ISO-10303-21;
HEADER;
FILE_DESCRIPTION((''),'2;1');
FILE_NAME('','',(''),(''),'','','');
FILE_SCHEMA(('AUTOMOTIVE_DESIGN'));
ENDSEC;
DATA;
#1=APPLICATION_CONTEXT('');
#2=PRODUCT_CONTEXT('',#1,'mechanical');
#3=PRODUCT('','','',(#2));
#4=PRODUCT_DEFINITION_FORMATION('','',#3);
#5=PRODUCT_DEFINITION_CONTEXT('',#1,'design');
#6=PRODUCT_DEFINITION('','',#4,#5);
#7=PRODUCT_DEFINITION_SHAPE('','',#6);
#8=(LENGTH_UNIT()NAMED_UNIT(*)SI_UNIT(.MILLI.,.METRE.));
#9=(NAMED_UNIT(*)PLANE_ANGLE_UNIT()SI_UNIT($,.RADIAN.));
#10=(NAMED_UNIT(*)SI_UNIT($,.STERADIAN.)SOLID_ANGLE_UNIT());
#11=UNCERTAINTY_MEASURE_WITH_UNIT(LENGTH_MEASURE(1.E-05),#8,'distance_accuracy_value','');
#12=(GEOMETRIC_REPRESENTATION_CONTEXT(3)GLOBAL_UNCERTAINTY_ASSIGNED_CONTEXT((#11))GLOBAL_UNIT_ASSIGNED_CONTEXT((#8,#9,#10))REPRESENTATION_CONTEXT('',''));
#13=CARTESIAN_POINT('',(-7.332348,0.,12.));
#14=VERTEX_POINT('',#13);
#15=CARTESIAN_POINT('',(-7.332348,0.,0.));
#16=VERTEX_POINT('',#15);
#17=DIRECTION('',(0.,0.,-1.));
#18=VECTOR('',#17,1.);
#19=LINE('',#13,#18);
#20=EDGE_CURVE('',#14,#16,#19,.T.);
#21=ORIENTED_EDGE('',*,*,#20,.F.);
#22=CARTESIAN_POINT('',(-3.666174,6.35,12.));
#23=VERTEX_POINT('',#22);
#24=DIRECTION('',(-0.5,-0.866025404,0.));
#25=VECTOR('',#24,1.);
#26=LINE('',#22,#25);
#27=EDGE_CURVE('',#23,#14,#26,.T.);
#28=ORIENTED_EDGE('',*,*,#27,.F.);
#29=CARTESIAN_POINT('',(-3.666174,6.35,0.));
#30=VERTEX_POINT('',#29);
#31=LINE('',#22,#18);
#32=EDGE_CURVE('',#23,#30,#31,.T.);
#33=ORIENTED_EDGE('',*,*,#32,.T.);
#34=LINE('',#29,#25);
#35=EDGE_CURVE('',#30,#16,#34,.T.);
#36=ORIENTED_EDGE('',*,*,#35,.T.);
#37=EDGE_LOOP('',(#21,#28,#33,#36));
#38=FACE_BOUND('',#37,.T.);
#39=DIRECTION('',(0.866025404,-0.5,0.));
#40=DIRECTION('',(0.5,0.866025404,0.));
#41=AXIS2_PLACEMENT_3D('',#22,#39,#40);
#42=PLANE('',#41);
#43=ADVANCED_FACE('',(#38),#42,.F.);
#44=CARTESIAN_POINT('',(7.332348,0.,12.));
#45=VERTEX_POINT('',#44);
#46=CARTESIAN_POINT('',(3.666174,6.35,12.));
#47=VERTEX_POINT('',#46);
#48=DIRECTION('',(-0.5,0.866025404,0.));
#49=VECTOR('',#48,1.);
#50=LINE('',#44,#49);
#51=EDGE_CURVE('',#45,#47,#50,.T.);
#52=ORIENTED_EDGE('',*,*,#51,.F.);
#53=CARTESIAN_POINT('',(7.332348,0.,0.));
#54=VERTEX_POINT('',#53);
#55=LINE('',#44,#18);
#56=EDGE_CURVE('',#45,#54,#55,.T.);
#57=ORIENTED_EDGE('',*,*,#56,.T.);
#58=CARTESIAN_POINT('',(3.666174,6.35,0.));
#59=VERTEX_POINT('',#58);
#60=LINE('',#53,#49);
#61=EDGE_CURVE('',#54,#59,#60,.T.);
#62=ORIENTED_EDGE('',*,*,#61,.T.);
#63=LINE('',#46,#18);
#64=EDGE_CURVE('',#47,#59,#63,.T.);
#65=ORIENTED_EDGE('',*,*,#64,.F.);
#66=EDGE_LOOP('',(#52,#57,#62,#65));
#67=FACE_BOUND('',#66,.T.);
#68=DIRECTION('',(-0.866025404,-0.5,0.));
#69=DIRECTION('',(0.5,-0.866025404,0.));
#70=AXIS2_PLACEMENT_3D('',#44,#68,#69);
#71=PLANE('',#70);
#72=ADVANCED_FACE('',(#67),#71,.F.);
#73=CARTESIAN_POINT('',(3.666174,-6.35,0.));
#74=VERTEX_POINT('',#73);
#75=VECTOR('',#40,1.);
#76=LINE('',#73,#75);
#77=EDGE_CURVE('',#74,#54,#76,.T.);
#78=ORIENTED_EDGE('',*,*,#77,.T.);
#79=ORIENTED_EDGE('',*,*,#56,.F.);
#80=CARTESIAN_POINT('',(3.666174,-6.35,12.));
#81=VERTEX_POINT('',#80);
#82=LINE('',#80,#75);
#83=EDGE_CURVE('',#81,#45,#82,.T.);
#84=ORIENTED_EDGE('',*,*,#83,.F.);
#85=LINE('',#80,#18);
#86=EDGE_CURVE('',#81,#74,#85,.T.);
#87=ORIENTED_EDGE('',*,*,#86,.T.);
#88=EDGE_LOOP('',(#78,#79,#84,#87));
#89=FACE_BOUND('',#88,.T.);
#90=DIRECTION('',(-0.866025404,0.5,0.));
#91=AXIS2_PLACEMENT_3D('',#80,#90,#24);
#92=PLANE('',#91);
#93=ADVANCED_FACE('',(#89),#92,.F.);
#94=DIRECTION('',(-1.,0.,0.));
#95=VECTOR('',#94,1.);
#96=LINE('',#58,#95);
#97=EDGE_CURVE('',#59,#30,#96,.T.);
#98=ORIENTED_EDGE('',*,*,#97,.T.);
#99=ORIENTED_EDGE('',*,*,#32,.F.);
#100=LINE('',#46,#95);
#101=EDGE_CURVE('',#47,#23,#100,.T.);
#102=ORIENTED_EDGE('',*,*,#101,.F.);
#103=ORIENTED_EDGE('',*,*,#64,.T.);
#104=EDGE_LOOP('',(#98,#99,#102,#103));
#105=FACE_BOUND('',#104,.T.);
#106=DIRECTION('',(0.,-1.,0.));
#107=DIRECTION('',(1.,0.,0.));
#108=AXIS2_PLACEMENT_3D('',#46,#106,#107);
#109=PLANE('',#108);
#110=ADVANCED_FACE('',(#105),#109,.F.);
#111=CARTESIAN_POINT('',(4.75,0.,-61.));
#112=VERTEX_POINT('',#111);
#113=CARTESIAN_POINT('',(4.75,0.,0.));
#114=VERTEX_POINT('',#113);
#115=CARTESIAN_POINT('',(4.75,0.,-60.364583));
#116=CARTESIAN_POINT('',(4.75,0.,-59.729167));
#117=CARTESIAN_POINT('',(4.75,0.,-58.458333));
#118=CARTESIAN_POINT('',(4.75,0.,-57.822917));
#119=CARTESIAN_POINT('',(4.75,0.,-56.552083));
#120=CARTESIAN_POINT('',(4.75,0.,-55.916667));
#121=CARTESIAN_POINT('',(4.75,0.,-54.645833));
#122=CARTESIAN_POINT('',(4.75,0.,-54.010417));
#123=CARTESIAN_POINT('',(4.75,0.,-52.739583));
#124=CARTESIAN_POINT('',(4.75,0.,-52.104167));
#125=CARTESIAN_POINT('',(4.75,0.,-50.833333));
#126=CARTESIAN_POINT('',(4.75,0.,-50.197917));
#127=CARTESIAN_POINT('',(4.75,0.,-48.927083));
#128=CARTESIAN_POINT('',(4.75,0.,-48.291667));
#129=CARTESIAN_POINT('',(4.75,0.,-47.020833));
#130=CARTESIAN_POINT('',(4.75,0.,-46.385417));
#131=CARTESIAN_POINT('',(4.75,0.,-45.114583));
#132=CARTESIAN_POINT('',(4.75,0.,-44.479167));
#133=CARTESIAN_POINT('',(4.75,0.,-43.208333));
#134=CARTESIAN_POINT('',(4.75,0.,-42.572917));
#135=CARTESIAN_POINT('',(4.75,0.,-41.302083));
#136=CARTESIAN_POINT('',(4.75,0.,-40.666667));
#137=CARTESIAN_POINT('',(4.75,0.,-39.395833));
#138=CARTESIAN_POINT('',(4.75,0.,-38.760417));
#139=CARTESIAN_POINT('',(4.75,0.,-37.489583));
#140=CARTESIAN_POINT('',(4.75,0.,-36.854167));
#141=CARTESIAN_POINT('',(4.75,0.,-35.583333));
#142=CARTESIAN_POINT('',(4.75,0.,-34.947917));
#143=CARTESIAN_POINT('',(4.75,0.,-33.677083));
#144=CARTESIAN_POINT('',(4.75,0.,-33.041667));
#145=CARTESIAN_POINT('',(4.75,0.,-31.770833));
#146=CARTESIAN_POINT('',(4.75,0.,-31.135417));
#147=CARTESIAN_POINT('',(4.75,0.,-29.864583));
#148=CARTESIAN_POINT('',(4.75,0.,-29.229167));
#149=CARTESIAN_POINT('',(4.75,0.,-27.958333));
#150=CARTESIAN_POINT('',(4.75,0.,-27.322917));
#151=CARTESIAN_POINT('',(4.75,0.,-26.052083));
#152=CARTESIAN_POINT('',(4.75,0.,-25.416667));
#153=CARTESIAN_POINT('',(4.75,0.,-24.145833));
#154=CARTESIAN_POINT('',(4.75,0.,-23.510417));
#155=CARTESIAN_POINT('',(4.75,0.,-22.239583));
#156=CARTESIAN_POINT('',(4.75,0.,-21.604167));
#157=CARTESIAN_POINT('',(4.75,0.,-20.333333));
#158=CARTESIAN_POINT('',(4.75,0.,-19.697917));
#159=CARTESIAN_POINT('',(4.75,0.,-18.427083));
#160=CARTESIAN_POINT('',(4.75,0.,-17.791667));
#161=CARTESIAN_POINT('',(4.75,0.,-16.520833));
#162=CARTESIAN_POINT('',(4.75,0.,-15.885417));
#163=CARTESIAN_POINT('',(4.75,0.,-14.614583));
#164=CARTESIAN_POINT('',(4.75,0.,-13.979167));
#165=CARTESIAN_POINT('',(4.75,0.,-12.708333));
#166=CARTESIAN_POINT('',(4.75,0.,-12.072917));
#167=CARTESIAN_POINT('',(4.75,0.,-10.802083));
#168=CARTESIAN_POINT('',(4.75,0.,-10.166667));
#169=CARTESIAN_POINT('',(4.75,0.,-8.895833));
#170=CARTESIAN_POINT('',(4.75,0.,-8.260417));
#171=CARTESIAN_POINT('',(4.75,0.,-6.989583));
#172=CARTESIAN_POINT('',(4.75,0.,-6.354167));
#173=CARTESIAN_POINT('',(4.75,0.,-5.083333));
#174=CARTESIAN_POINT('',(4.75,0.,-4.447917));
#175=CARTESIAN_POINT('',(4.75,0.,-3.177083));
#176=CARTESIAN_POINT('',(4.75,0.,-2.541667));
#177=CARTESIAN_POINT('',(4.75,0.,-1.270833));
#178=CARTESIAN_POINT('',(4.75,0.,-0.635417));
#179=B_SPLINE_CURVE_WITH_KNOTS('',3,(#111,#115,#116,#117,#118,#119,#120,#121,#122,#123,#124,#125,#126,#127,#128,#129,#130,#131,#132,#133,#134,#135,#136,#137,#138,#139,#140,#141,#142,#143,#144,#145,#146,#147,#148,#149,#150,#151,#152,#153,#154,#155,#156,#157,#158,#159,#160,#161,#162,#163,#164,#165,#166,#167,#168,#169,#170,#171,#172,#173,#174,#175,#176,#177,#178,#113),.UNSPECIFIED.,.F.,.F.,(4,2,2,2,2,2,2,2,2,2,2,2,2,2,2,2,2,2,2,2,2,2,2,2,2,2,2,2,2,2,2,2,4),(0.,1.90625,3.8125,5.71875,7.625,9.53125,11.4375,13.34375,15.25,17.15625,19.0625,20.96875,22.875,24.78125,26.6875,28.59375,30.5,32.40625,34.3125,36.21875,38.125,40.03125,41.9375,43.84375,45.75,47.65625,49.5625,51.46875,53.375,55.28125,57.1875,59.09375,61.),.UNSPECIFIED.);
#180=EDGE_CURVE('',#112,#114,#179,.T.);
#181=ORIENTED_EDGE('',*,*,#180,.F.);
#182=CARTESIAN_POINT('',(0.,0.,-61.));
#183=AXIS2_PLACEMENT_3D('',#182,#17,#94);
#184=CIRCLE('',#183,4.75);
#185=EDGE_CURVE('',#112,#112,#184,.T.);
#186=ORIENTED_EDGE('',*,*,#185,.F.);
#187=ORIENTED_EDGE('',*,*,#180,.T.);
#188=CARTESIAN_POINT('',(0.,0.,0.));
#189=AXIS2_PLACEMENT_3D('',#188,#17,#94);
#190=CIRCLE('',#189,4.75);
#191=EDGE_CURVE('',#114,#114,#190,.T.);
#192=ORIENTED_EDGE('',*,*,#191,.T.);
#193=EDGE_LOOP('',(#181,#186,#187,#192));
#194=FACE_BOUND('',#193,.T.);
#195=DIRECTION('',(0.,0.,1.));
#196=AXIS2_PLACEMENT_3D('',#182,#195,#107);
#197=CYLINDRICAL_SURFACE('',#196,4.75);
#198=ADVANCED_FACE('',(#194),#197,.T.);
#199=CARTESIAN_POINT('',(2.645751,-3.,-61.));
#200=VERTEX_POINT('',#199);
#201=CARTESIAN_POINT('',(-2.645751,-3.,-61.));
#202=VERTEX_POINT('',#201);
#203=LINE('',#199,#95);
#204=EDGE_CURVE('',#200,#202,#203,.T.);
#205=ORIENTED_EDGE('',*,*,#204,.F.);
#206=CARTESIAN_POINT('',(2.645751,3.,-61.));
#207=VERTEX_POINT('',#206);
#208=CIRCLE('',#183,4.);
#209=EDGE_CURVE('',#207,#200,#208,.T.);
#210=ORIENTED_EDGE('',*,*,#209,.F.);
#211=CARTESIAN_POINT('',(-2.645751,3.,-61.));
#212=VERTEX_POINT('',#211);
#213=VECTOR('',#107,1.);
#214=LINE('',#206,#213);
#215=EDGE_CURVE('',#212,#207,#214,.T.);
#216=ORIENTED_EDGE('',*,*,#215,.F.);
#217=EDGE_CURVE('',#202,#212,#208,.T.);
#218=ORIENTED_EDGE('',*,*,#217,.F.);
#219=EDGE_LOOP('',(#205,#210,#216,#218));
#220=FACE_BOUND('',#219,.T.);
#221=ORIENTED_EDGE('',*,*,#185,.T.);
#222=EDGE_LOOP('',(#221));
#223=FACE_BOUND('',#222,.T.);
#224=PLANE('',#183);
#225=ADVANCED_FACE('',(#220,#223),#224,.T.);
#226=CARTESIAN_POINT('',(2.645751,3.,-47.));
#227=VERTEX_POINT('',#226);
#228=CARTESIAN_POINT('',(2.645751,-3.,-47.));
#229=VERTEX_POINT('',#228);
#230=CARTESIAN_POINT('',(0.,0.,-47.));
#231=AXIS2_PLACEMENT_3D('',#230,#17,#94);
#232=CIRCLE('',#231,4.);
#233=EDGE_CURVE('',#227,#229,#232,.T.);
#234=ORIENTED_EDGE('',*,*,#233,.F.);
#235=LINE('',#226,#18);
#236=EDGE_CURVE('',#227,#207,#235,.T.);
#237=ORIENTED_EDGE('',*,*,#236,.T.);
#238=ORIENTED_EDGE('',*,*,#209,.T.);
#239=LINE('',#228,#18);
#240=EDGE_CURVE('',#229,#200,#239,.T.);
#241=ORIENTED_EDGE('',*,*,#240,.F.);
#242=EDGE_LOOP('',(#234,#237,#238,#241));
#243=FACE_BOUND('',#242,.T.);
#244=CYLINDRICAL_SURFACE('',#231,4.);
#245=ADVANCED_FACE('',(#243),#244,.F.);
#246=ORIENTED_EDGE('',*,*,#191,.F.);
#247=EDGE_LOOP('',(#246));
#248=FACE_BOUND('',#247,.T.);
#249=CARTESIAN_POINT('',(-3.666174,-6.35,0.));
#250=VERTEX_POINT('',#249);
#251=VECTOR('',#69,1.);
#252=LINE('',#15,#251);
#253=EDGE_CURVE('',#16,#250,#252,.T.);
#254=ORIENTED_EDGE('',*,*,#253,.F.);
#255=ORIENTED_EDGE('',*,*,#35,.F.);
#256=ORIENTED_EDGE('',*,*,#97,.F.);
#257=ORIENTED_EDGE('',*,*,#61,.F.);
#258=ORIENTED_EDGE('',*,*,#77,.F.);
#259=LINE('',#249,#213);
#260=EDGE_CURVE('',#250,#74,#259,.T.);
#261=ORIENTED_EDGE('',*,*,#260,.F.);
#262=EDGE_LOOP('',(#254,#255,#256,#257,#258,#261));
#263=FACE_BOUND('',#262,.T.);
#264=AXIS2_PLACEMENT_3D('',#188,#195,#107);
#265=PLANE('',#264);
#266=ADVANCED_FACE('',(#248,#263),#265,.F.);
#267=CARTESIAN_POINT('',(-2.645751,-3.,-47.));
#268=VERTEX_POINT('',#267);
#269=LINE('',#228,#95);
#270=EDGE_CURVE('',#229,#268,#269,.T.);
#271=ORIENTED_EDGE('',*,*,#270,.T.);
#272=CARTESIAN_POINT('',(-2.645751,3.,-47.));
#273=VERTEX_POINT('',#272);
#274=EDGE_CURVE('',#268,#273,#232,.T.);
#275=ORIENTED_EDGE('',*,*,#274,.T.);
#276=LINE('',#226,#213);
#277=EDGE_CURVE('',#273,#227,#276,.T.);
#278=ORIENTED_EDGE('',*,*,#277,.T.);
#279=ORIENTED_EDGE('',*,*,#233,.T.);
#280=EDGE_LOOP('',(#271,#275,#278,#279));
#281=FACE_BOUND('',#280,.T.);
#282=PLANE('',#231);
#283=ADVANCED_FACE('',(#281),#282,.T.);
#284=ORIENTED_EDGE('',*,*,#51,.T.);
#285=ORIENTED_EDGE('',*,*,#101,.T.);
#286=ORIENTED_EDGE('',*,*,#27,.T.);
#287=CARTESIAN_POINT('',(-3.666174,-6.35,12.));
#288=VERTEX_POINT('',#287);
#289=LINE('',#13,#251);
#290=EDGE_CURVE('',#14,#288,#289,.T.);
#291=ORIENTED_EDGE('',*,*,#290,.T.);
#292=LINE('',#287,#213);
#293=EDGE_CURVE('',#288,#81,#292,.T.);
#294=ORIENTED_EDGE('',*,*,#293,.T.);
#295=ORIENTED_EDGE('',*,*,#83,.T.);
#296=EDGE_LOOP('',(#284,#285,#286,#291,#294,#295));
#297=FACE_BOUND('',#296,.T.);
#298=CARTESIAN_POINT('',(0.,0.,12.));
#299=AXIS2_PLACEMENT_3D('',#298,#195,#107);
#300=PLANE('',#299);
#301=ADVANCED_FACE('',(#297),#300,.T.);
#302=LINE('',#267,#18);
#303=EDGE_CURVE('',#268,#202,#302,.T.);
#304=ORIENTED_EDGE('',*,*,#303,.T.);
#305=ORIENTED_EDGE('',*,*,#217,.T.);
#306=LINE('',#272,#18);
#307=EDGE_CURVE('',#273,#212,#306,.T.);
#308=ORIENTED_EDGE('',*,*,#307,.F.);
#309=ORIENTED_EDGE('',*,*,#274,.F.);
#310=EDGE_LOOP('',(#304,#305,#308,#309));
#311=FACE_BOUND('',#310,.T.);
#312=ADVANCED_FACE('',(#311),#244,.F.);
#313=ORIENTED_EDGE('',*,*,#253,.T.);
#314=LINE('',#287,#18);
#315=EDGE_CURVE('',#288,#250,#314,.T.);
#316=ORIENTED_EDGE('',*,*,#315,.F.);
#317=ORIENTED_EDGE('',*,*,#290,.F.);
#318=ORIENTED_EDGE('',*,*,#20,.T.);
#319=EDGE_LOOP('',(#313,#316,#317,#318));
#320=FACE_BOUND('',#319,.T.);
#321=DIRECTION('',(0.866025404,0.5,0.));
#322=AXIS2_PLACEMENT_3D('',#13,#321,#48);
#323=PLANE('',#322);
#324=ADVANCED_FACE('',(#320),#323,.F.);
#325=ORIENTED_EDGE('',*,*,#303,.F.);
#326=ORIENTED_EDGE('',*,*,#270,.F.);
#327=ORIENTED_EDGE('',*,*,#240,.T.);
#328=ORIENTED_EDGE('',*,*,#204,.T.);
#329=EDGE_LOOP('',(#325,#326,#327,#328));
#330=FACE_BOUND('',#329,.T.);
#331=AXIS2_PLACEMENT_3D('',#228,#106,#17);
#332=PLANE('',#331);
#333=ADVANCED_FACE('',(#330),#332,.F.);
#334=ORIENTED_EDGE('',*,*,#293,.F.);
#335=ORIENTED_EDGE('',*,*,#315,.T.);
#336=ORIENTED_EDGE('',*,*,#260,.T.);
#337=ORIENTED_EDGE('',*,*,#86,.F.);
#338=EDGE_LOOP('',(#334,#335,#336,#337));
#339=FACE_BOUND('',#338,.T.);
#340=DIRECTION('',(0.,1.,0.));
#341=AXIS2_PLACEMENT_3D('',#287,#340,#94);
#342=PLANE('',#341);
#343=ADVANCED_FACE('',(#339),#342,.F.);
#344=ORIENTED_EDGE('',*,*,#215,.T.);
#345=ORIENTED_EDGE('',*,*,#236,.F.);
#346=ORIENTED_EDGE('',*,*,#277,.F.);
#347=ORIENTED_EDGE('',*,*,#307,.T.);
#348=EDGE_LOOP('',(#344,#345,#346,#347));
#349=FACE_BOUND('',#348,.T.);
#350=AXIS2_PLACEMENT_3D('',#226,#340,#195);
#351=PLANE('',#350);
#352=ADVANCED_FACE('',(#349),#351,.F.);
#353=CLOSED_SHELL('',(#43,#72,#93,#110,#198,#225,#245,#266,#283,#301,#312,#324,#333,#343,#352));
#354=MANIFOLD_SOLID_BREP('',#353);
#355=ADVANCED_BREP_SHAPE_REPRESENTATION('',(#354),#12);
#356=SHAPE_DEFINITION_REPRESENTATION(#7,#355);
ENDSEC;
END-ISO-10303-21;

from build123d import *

# Parameters (mm, degrees)
BOSS_EXTRUDE1_DEPTH = 12
SKETCH2_R           = 4.75
BOSS_EXTRUDE2_DEPTH = 61
CUT_EXTRUDE1_DEPTH  = 14


with BuildPart() as part:
    # Sketch1 → Boss-Extrude1 (new body)
    with BuildSketch(Plane.XY):
        Polygon((3.666174209, -6.35), (7.332348419, 0), (3.666174209, 6.35), (-3.666174209, 6.35), (-7.332348419, 0), (-3.666174209, -6.35), align=None)
    extrude(amount=BOSS_EXTRUDE1_DEPTH)

    # Sketch2 → Boss-Extrude2 (add)
    with BuildSketch(Plane(origin=(0, 0, 0), x_dir=(-1, 0, 0), z_dir=(0, 0, -1))):
        with Locations(Location((0, 0, 0), (0, 0, 180))):
            Circle(SKETCH2_R)
    extrude(amount=BOSS_EXTRUDE2_DEPTH)

    # Sketch3 → Cut-Extrude1 (cut)
    with BuildSketch(Plane(origin=(0, 0, -61), x_dir=(-1, 0, 0), z_dir=(0, 0, -1))):
        with BuildLine():
            Line((-2.645751311, 3), (2.645751311, 3))
            ThreePointArc((2.645751311, 3), (4, 0), (2.645751311, -3))
            Line((2.645751311, -3), (-2.645751311, -3))
            ThreePointArc((-2.645751311, -3), (-4, 0), (-2.645751311, 3))
        make_face()
    extrude(amount=-CUT_EXTRUDE1_DEPTH, mode=Mode.SUBTRACT)


solid = part.part
